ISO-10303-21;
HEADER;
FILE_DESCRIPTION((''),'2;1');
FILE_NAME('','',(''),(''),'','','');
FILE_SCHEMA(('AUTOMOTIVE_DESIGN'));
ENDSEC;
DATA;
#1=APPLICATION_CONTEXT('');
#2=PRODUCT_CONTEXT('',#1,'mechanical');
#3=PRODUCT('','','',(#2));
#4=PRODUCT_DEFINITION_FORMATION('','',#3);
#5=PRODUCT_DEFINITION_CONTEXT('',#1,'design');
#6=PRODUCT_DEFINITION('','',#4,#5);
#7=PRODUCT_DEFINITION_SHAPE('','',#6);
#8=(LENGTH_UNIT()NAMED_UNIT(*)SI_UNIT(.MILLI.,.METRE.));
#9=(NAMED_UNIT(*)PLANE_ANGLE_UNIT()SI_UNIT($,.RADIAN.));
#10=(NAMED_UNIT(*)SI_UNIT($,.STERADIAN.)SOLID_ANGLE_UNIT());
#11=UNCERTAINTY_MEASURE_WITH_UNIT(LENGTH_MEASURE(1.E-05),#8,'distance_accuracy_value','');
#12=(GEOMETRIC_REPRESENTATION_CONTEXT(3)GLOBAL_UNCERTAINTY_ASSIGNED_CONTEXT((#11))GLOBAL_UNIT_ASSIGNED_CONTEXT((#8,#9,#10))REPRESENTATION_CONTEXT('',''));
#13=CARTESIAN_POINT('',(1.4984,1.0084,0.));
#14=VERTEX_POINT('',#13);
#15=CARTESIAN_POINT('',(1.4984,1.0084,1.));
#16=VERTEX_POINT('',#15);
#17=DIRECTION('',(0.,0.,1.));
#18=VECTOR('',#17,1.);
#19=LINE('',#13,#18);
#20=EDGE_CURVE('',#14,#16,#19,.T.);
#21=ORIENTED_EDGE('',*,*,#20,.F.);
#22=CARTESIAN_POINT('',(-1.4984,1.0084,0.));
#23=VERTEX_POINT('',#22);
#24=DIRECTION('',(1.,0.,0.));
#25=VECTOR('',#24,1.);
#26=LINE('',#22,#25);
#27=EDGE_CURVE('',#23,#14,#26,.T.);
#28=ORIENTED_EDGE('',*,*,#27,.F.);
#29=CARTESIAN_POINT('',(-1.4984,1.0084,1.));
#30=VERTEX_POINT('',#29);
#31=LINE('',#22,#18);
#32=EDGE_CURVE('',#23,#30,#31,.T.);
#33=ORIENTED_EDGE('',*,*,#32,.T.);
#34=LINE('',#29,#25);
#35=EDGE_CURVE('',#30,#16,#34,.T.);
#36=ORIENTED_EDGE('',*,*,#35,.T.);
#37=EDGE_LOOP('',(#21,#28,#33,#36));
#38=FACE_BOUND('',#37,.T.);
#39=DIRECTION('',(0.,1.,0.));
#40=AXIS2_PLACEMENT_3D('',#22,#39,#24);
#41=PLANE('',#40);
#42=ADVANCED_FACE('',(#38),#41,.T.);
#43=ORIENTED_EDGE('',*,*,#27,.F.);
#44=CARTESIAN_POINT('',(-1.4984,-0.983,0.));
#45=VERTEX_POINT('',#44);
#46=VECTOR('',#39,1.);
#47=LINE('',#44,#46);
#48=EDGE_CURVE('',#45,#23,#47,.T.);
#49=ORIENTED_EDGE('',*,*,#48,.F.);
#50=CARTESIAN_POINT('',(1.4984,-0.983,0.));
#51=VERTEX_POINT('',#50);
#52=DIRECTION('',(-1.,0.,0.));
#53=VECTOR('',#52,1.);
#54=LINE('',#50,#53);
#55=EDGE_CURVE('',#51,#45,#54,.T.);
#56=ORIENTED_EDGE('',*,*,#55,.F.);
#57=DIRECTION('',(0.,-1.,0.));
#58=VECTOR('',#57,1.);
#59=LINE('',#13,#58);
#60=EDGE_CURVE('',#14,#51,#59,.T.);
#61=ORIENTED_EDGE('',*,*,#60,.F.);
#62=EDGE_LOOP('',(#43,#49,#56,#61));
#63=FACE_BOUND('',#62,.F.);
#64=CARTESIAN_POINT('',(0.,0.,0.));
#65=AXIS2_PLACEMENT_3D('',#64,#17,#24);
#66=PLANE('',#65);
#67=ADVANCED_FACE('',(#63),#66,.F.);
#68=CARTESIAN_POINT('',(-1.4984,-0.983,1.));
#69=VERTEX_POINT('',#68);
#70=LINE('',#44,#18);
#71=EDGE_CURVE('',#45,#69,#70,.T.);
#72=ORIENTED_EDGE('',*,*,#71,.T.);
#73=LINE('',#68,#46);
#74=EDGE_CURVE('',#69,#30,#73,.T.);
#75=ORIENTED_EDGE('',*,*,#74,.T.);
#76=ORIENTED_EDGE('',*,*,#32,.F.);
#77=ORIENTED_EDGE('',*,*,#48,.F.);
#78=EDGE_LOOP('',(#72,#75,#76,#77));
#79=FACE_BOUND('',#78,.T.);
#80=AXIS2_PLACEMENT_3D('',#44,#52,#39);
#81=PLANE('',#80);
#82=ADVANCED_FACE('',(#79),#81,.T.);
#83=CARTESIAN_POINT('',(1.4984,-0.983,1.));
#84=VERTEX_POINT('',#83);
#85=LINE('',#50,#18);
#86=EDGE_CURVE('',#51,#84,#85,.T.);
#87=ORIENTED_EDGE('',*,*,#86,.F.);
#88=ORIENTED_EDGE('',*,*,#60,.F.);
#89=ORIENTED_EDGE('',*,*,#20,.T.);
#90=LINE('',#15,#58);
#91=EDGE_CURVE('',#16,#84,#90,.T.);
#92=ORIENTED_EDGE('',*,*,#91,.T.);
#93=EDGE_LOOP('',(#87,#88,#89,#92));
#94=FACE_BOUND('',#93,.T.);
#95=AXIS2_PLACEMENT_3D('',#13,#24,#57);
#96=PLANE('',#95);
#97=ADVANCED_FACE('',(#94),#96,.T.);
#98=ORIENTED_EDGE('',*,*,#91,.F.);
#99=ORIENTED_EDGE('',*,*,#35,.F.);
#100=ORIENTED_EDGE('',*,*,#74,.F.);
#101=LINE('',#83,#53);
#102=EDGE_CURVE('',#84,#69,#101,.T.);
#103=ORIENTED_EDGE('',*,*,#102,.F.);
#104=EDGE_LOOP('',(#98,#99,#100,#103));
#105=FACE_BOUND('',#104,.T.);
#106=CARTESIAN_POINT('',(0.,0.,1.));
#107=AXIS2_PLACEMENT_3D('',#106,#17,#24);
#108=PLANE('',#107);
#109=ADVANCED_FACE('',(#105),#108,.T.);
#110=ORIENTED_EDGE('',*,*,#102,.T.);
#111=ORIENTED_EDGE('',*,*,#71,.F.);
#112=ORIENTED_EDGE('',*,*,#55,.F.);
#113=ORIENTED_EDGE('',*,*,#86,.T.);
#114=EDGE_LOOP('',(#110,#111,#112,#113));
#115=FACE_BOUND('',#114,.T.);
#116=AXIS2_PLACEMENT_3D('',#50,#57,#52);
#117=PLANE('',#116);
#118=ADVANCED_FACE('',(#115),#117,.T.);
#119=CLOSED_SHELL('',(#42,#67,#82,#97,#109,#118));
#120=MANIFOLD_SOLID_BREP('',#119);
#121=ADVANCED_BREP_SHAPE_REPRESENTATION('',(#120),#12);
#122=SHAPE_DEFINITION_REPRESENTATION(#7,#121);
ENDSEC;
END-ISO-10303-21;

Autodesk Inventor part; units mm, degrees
ref_plane "YZ Plane" through (0, 0, 0) normal (1, 0, 0) x (0, 1, 0)
ref_plane "XZ Plane" through (0, 0, 0) normal (0, 1, 0) x (-1, 0, 0)
ref_plane "XY Plane" through (0, 0, 0) normal (0, 0, 1) x (1, 0, 0)
sketch "0603-RES, 10_37" plane through (0, 0, 0) normal (0, 0, 1) x (1, 0, 0)
  line L0 (-1.4984, 1.0084) -> (1.4984, 1.0084)
  line L1 (1.4984, 1.0084) -> (1.4984, -0.983)
  line L2 (1.4984, -0.983) -> (-1.4984, -0.983)
  line L3 (-1.4984, -0.983) -> (-1.4984, 1.0084)
extrude "Extrusion1" add sketch "0603-RES, 10_37" along normal blind 1
properties part number "10"
